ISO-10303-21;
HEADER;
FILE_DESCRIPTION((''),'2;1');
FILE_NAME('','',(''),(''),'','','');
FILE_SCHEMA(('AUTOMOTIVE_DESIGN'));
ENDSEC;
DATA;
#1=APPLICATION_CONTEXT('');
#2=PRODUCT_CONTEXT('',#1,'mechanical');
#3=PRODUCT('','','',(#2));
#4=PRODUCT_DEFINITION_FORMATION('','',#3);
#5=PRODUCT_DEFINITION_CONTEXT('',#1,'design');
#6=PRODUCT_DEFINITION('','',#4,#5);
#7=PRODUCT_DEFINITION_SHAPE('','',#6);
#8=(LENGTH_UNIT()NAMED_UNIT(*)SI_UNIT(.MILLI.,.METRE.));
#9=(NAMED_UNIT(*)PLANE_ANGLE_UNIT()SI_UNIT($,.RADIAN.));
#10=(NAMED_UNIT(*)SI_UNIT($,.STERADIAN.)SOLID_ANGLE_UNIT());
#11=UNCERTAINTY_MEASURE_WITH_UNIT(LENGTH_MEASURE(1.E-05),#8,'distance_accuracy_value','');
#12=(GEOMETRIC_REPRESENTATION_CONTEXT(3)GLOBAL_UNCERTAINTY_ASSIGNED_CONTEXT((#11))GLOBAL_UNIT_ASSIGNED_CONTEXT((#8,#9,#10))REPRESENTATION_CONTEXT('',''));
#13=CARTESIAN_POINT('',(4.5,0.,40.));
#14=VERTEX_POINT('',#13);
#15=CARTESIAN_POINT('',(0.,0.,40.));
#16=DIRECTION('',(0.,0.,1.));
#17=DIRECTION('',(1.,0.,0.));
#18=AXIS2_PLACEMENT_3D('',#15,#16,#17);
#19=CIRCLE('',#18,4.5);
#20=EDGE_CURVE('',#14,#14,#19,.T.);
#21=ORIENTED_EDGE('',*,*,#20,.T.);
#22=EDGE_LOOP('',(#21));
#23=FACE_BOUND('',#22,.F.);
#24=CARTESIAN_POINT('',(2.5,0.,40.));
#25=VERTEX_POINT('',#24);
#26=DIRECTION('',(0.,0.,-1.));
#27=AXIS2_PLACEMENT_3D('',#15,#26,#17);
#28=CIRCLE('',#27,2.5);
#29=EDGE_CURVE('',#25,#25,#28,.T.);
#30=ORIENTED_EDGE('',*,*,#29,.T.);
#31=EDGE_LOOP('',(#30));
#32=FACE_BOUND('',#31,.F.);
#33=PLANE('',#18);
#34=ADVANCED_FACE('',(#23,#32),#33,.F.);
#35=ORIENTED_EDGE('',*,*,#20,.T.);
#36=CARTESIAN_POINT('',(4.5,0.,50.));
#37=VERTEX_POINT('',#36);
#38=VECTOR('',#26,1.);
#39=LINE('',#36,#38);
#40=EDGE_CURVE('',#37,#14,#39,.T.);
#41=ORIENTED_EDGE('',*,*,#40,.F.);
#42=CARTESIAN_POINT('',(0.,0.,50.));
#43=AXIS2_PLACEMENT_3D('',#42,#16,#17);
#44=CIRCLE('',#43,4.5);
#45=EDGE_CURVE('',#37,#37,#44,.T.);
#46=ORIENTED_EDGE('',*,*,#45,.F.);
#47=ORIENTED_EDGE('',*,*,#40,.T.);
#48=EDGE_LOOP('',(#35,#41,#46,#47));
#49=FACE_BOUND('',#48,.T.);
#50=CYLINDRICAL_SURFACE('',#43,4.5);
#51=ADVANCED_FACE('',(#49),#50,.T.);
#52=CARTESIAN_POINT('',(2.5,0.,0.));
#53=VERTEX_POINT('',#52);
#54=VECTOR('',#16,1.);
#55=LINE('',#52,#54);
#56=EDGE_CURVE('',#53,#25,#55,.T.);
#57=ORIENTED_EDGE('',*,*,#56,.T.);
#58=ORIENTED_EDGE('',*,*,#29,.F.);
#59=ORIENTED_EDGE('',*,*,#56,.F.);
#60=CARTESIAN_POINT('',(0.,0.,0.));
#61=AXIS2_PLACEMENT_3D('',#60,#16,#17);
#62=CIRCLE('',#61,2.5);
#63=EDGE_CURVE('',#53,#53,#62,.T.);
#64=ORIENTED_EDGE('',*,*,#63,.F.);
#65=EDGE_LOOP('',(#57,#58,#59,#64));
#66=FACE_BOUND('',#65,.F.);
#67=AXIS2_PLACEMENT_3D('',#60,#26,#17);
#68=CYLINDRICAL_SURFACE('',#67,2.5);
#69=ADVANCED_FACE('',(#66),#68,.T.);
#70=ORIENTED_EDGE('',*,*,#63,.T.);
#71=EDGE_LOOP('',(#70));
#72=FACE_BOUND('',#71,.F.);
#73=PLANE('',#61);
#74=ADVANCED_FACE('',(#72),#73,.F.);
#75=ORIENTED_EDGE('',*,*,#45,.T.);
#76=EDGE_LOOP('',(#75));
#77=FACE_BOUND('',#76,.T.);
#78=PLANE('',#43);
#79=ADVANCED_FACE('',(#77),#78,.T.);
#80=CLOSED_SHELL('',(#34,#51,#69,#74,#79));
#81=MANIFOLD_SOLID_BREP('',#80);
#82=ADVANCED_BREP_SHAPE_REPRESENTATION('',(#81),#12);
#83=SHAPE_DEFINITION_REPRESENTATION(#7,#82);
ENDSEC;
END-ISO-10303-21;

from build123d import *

# Parameters (mm, degrees)
SKETCH_R     = 2.5
PAD_DEPTH    = 50
SKETCH001_R  = 4.5
PAD001_DEPTH = 10


with BuildPart() as part:
    # Sketch → Pad (new body)
    with BuildSketch(Plane.XY):
        Circle(SKETCH_R)
    extrude(amount=PAD_DEPTH)

    # Sketch001 (on Face3 of Pad) → Pad001 (join)
    with BuildSketch(Plane.XY.offset(50)):
        Circle(SKETCH001_R)
    extrude(amount=-PAD001_DEPTH)


solid = part.part
